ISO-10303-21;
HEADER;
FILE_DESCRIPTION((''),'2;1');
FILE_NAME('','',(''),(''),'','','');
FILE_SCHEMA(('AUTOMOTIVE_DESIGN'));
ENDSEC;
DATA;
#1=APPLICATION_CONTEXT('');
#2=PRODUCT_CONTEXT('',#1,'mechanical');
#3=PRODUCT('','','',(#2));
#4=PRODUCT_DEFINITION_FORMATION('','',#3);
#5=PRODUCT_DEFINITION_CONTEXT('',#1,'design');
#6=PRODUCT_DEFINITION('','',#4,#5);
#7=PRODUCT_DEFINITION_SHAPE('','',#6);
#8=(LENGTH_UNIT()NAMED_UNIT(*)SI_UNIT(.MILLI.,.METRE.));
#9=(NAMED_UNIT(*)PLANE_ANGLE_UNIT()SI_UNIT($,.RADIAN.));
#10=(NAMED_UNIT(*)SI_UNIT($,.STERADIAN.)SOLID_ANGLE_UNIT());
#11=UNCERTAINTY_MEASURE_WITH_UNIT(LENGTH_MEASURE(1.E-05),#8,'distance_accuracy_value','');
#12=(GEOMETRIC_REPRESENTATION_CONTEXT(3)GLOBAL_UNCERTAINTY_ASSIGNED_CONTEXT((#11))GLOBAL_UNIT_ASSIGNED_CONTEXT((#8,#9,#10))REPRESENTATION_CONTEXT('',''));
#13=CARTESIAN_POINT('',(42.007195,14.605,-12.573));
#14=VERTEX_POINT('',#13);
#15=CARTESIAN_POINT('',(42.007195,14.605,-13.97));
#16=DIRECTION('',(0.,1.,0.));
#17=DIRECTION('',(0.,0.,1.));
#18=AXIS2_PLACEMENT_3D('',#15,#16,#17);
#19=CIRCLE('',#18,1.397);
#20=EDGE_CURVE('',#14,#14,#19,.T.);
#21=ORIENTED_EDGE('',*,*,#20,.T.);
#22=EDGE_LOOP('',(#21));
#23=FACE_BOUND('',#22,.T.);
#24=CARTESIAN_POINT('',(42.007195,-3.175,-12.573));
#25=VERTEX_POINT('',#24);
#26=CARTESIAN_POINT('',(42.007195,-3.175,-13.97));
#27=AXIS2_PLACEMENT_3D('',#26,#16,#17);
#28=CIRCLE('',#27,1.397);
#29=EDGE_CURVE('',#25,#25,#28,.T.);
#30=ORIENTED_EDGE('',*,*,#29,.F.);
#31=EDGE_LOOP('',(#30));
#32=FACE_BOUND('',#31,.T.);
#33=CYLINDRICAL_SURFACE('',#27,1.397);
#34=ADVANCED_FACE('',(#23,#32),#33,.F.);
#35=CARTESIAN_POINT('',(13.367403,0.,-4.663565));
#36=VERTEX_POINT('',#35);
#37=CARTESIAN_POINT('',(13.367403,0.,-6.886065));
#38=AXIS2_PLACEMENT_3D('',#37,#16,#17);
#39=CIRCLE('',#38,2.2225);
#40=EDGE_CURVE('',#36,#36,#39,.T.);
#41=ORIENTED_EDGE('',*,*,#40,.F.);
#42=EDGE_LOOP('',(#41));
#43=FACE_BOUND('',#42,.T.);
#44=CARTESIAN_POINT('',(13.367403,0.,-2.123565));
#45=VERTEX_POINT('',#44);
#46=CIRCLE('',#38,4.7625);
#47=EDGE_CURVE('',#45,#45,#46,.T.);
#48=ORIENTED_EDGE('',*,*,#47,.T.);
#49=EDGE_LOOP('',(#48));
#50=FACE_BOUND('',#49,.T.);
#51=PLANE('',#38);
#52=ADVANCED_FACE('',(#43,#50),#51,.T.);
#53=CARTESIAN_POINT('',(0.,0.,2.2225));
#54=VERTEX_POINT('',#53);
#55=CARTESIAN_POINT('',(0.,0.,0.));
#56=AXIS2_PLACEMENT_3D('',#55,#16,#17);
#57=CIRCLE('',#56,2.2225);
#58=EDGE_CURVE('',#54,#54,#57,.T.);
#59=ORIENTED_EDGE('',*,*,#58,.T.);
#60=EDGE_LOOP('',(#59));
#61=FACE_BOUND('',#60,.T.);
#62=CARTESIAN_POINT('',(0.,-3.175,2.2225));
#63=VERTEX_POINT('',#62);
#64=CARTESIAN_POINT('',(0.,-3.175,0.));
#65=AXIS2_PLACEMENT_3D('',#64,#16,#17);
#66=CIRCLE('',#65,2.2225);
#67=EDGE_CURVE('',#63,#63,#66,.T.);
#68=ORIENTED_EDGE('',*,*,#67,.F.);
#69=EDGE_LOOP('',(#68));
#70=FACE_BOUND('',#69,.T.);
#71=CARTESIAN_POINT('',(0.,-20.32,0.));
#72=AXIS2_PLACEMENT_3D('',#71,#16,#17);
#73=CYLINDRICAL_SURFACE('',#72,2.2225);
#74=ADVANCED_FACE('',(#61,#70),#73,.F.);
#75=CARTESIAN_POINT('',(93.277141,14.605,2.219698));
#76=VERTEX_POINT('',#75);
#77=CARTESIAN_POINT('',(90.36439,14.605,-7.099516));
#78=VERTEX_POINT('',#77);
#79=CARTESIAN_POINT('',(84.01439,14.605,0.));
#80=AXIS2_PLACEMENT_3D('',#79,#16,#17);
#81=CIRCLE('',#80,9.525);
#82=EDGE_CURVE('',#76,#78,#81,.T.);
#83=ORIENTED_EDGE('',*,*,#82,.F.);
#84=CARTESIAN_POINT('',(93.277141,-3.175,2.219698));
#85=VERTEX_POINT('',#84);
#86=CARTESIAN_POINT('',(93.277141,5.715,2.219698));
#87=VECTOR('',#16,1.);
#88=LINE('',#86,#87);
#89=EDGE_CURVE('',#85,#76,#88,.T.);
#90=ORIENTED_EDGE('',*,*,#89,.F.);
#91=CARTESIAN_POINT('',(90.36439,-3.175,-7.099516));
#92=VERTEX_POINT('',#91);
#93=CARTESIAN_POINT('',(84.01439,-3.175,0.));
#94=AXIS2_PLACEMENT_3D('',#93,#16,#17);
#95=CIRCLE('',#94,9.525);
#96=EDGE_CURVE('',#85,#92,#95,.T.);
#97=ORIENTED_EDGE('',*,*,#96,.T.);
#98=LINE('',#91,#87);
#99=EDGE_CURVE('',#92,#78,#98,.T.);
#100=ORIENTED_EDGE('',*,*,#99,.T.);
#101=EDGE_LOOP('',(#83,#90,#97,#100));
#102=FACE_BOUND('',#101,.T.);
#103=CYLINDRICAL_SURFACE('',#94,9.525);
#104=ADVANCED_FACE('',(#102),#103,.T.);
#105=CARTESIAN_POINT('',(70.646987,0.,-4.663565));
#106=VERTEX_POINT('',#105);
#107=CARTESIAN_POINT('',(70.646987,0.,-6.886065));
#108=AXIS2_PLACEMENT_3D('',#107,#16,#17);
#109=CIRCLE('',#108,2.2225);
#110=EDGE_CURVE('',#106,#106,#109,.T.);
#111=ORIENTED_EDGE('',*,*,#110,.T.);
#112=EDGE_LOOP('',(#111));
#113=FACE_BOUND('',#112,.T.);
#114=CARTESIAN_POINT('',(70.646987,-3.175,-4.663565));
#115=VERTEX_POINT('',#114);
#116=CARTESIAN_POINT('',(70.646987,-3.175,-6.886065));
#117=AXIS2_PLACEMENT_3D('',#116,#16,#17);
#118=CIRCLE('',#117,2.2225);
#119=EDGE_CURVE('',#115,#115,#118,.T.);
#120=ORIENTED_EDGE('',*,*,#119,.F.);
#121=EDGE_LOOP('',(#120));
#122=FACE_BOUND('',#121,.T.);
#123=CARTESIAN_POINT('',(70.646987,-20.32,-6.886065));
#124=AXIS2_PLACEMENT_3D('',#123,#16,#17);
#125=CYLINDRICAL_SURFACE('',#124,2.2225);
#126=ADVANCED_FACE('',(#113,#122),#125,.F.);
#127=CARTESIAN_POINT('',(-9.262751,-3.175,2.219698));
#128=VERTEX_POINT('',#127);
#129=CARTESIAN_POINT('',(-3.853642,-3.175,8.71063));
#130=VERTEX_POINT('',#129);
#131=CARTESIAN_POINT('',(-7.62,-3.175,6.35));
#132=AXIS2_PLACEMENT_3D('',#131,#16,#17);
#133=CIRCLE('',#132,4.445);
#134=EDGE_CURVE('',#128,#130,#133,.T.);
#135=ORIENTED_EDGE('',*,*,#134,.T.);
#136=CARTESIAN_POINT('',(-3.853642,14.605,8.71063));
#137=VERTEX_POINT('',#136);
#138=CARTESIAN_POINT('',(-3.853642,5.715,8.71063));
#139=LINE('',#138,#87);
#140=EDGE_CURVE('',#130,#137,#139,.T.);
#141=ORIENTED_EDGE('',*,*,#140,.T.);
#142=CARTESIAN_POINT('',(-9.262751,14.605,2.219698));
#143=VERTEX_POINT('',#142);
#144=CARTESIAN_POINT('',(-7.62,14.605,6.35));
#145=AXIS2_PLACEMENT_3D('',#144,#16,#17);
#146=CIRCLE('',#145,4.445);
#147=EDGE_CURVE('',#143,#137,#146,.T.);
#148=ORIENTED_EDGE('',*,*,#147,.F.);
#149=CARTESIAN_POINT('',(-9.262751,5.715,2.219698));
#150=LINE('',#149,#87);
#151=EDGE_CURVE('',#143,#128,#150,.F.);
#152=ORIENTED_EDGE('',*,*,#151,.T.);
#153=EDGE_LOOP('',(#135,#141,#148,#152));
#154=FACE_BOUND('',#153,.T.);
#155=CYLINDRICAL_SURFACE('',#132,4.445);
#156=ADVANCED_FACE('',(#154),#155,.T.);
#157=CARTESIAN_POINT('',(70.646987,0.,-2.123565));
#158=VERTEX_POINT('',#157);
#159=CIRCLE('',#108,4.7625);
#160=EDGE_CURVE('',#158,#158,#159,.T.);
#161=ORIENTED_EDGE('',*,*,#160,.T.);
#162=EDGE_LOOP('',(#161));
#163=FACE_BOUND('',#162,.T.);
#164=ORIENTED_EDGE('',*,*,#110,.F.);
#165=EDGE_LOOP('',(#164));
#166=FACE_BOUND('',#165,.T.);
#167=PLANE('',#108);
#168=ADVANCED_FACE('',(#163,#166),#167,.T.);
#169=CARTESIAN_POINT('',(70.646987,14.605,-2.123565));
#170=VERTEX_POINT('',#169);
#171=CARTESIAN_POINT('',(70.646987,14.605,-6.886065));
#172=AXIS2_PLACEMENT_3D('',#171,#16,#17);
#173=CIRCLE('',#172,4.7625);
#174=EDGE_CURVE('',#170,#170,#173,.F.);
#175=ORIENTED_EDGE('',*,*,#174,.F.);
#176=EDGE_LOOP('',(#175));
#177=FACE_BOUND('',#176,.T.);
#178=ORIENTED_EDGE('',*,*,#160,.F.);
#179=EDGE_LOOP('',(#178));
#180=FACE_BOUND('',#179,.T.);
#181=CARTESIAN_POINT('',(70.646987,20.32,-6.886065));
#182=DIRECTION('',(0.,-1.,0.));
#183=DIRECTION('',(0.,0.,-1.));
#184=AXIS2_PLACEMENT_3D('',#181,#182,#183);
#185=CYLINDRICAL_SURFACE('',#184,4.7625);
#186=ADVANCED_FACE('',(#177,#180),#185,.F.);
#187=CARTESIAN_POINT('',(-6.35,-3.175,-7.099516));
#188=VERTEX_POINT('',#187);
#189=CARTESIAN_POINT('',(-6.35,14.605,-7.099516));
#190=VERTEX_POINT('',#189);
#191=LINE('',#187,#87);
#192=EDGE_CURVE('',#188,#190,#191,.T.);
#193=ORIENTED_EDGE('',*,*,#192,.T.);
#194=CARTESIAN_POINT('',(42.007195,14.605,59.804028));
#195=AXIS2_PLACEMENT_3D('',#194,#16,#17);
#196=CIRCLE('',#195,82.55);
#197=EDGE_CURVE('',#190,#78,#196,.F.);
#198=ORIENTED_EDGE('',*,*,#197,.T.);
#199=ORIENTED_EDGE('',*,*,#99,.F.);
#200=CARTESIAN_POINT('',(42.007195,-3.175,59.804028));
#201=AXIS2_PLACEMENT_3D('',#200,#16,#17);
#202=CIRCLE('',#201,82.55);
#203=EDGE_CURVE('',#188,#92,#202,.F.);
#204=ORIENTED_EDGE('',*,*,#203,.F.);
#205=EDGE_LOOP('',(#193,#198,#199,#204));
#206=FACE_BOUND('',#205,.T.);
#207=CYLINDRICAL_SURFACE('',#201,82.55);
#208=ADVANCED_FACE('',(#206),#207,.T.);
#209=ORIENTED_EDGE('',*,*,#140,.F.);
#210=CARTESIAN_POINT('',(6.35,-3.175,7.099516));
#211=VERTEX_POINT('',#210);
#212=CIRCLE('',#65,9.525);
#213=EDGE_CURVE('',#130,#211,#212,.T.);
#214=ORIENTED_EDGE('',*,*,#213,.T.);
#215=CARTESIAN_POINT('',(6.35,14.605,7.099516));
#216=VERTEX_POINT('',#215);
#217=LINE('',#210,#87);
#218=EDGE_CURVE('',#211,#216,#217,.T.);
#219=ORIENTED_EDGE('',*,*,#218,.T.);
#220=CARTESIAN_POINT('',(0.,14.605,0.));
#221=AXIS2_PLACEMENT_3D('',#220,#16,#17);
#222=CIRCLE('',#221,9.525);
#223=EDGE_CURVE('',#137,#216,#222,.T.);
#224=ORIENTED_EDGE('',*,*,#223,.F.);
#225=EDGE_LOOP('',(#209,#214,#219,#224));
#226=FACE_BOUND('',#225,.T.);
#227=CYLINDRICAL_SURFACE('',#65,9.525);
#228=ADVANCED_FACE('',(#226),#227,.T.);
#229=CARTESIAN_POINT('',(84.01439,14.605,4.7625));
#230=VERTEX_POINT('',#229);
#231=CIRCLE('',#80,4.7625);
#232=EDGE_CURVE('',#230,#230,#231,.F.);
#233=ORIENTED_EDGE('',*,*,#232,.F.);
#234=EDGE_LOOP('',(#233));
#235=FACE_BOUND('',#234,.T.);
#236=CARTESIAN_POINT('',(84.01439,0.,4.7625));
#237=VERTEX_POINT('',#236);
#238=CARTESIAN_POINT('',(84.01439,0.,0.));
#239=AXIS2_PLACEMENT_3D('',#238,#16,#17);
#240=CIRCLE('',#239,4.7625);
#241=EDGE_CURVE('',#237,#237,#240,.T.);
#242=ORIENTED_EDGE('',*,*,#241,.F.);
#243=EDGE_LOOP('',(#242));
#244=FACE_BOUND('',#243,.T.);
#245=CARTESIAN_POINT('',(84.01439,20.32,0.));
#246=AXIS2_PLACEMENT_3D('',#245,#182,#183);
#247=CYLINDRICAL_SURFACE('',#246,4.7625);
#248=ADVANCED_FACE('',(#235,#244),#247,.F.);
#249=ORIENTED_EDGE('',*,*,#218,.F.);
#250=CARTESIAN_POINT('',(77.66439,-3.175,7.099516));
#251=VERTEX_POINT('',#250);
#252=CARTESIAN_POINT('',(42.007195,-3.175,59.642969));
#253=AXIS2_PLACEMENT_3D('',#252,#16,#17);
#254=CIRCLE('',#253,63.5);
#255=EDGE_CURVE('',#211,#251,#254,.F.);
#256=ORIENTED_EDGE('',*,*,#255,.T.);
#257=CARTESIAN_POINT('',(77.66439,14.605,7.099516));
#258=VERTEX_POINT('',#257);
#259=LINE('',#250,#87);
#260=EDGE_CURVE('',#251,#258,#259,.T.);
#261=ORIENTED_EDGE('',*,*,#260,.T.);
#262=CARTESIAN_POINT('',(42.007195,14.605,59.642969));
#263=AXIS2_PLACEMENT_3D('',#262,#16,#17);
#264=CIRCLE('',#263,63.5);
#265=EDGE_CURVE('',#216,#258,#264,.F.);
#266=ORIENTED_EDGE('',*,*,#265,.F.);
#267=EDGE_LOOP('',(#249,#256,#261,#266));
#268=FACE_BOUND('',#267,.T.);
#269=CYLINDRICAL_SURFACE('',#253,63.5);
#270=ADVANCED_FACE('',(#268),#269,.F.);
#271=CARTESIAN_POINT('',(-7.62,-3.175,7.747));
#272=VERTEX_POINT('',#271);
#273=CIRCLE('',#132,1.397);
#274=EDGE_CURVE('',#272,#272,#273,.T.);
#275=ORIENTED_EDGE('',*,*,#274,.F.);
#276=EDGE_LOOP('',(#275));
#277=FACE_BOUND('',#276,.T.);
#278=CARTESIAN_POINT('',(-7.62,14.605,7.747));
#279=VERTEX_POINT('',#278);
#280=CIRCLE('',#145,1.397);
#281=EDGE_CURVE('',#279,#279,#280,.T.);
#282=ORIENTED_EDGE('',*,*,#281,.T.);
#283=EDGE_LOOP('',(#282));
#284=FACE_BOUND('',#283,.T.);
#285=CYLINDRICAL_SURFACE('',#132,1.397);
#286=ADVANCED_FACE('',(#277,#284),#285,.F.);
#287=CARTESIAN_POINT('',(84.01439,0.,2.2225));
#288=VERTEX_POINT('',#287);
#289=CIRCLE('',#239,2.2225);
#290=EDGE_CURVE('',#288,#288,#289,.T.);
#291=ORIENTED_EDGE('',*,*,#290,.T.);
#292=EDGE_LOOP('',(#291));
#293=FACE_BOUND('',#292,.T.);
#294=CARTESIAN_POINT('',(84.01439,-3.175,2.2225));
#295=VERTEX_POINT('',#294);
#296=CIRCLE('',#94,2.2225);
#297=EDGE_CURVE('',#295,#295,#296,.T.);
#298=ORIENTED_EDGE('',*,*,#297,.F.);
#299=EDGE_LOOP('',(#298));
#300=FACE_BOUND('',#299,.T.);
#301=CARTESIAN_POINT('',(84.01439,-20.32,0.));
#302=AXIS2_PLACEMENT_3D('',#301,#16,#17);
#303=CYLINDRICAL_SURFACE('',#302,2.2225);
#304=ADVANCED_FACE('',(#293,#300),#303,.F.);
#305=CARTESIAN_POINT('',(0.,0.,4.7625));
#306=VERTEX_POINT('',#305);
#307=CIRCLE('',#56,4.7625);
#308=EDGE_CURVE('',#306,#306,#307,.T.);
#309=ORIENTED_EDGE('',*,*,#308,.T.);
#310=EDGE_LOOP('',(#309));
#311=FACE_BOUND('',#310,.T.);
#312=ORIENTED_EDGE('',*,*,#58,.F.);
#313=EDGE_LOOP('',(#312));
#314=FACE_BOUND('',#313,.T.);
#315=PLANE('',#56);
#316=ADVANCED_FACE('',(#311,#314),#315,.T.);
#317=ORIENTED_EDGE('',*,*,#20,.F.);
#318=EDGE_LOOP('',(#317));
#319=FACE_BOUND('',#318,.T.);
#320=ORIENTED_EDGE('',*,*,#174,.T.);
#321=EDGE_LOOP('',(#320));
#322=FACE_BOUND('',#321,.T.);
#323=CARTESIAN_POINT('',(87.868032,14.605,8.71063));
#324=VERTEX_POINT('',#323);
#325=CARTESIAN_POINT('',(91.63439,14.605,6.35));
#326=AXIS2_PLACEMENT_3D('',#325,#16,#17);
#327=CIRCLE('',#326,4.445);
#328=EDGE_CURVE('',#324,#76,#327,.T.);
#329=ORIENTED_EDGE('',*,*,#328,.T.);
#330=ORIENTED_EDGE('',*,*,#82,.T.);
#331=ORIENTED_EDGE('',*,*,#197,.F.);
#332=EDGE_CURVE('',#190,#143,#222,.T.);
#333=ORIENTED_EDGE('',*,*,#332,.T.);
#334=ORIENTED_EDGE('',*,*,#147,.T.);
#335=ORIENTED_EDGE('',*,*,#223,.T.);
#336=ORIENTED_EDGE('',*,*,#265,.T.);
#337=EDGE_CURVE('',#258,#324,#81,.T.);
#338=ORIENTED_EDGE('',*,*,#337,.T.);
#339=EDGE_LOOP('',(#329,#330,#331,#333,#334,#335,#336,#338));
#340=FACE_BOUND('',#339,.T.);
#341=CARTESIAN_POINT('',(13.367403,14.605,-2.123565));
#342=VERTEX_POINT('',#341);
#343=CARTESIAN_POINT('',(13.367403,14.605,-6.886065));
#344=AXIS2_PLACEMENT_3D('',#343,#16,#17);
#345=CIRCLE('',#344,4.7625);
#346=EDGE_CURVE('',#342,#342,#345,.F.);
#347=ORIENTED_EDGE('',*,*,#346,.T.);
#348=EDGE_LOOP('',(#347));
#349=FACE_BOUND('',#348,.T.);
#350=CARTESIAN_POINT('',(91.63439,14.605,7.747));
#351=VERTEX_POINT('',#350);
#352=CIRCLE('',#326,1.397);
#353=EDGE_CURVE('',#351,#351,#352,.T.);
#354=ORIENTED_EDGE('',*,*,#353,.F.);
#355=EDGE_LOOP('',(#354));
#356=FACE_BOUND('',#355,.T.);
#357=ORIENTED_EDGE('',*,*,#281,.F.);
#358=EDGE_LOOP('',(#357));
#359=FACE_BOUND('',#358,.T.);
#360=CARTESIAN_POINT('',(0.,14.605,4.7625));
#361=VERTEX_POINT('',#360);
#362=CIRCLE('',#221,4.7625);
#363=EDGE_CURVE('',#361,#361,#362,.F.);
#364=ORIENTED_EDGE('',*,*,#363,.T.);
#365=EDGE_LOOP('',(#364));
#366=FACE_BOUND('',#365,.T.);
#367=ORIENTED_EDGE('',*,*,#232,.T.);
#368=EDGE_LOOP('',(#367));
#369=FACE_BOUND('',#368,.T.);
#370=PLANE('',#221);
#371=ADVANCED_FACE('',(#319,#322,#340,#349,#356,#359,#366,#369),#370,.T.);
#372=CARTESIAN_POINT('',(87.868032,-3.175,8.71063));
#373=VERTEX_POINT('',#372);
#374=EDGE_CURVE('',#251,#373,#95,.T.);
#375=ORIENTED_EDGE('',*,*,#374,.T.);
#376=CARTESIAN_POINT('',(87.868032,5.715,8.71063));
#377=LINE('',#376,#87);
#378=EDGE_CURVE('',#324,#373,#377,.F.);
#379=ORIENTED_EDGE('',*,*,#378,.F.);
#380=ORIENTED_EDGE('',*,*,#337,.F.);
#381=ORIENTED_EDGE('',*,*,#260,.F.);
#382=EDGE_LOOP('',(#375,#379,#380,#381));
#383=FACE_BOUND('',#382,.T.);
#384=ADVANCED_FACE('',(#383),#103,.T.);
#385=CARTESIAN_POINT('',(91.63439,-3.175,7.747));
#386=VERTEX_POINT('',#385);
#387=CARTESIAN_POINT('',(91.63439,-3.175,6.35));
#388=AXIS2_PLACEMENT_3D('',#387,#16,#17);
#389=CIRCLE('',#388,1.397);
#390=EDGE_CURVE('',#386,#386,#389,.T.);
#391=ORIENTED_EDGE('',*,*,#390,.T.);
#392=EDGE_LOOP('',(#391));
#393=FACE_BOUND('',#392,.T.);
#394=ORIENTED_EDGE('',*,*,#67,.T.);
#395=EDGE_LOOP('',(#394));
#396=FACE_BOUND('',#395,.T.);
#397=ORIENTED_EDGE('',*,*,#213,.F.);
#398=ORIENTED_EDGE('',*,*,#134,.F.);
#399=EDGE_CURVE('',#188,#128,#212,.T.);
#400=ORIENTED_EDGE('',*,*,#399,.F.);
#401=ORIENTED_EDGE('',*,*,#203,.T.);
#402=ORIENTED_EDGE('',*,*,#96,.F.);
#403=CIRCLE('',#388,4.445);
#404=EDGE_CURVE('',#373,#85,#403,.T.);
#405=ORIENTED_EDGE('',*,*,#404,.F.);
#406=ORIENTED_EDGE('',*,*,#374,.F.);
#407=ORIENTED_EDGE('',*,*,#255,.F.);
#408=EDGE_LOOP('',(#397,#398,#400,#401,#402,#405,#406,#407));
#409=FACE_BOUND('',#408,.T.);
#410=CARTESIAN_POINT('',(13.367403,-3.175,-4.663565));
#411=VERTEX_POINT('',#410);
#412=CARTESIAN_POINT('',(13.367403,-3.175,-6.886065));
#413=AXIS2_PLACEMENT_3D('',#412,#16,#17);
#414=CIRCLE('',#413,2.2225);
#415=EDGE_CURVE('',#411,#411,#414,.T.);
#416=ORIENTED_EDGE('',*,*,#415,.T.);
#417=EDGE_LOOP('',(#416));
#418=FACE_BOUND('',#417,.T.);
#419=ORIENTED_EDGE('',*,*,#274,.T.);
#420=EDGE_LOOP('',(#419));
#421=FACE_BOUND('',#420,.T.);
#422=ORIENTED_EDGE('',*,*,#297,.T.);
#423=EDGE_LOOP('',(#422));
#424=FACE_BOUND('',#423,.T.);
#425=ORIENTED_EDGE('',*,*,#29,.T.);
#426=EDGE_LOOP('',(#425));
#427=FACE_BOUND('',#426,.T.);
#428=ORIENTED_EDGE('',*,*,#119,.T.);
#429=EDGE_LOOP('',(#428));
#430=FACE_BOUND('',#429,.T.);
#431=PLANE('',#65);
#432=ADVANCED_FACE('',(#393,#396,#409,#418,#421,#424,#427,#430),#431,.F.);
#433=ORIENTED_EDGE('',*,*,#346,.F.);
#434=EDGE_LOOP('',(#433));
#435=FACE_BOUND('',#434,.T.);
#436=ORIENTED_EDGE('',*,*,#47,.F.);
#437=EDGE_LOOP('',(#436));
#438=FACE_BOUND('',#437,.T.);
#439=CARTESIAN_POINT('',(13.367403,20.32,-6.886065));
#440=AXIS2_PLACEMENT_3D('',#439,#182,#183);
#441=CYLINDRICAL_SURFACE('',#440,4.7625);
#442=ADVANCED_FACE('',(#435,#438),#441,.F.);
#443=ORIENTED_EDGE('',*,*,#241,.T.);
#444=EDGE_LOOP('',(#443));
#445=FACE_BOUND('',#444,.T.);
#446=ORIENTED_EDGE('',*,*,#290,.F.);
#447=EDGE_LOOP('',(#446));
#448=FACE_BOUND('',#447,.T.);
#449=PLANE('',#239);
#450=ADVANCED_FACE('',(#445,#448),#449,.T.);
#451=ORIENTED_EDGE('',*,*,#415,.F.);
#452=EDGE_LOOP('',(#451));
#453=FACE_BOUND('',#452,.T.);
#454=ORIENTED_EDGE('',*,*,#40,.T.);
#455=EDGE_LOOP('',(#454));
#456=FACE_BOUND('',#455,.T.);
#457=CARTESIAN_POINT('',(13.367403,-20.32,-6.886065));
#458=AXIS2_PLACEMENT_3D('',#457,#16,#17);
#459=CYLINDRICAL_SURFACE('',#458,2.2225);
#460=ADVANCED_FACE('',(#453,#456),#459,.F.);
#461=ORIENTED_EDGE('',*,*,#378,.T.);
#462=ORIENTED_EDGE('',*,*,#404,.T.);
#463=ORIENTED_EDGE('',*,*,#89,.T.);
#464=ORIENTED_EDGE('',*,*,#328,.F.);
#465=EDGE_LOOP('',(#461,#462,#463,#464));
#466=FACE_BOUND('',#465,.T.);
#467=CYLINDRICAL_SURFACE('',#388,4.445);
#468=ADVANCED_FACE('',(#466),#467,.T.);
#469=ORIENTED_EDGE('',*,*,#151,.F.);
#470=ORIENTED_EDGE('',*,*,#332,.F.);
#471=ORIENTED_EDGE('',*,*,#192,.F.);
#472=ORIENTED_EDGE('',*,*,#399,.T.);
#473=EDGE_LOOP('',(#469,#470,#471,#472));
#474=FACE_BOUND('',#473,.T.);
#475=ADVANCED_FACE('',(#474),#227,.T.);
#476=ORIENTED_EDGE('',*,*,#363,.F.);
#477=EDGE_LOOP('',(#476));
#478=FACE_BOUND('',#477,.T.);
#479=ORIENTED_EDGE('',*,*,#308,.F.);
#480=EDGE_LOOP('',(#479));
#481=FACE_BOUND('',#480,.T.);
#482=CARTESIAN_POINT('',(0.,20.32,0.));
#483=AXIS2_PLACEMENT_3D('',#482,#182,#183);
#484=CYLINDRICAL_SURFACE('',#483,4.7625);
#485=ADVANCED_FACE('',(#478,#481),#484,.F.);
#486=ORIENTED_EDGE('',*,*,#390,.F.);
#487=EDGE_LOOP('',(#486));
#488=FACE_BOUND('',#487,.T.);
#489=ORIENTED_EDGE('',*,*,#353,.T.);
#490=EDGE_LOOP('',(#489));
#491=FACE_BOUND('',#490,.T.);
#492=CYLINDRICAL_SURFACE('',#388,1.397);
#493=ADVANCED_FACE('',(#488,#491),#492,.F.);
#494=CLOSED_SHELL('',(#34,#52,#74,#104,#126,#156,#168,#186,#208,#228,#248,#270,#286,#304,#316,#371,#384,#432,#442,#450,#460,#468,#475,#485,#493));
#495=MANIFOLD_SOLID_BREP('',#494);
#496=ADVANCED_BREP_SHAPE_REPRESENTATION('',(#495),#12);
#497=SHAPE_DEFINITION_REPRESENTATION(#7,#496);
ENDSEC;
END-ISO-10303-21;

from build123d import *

# Parameters (mm, degrees)
BOSS_EXTRUDE1_DEPTH      = 14.605
BOSS_EXTRUDE1_DEPTH_BACK = 3.175
SKETCH1_R                = 4.7625
CUT_EXTRUDE1_DEPTH       = 20.32
SKETCH4_R                = 2.2225
CUT_EXTRUDE2_DEPTH       = 20.32
SKETCH5_R                = 4.445
BOSS_EXTRUDE2_DEPTH      = 17.78
SKETCH6_R                = 1.397
CUT_EXTRUDE3_DEPTH       = 17.78


with BuildPart() as part:
    # Sketch2 → Boss-Extrude1 (new body, two sides)
    with BuildSketch(Plane(origin=(0, 0, 0), x_dir=(1, 0, 0), z_dir=(0, 1, 0))) as boss_extrude1_sk:
        with BuildLine():
            ThreePointArc((-6.35, 7.099515829), (-7.099515829, -6.35), (6.35, -7.099515829))
            ThreePointArc((6.35, -7.099515829), (42.007194804, 3.857031119), (77.664389608, -7.099515829))
            ThreePointArc((77.664389608, -7.099515829), (91.113905436, -6.35), (90.364389608, 7.099515829))
            ThreePointArc((90.364389608, 7.099515829), (42.007194804, 22.745971747), (-6.35, 7.099515829))
        make_face()
    extrude(amount=BOSS_EXTRUDE1_DEPTH)
    extrude(boss_extrude1_sk.sketch, amount=-BOSS_EXTRUDE1_DEPTH_BACK)

    # Sketch1 → Cut-Extrude1 (cut)
    with BuildSketch(Plane(origin=(0, 0, 0), x_dir=(1, 0, 0), z_dir=(0, 1, 0))):
        Circle(SKETCH1_R)
        with Locations((13.367402776, 6.886065441)):
            Circle(SKETCH1_R)
        with Locations((70.646986832, 6.886065441)):
            Circle(SKETCH1_R)
        with Locations((84.014389608, 0)):
            Circle(SKETCH1_R)
    extrude(amount=CUT_EXTRUDE1_DEPTH, mode=Mode.SUBTRACT)

    # Sketch4 → Cut-Extrude2 (cut)
    with BuildSketch(Plane(origin=(0, 0, 0), x_dir=(1, 0, 0), z_dir=(0, 1, 0))):
        with Locations((13.367402776, 6.886065441)):
            Circle(SKETCH4_R)
        Circle(SKETCH4_R)
        with Locations((70.646986832, 6.886065441)):
            Circle(SKETCH4_R)
        with Locations((84.014389608, 0)):
            Circle(SKETCH4_R)
    extrude(amount=-CUT_EXTRUDE2_DEPTH, mode=Mode.SUBTRACT)

    # Sketch5 → Boss-Extrude2 (add)
    with BuildSketch(Plane(origin=(0, 14.605, 0), x_dir=(1, 0, 0), z_dir=(0, 1, 0))):
        with Locations((-7.62, -6.35)):
            Circle(SKETCH5_R)
        with Locations((91.634389608, -6.35)):
            Circle(SKETCH5_R)
    extrude(amount=-BOSS_EXTRUDE2_DEPTH)

    # Sketch6 → Cut-Extrude3 (cut)
    with BuildSketch(Plane(origin=(0, 14.605, 0), x_dir=(1, 0, 0), z_dir=(0, 1, 0))):
        with Locations((42.007194804, 13.97)):
            Circle(SKETCH6_R)
        with Locations((-7.62, -6.35)):
            Circle(SKETCH6_R)
        with Locations((91.634389608, -6.35)):
            Circle(SKETCH6_R)
    extrude(amount=-CUT_EXTRUDE3_DEPTH, mode=Mode.SUBTRACT)


solid = part.part
